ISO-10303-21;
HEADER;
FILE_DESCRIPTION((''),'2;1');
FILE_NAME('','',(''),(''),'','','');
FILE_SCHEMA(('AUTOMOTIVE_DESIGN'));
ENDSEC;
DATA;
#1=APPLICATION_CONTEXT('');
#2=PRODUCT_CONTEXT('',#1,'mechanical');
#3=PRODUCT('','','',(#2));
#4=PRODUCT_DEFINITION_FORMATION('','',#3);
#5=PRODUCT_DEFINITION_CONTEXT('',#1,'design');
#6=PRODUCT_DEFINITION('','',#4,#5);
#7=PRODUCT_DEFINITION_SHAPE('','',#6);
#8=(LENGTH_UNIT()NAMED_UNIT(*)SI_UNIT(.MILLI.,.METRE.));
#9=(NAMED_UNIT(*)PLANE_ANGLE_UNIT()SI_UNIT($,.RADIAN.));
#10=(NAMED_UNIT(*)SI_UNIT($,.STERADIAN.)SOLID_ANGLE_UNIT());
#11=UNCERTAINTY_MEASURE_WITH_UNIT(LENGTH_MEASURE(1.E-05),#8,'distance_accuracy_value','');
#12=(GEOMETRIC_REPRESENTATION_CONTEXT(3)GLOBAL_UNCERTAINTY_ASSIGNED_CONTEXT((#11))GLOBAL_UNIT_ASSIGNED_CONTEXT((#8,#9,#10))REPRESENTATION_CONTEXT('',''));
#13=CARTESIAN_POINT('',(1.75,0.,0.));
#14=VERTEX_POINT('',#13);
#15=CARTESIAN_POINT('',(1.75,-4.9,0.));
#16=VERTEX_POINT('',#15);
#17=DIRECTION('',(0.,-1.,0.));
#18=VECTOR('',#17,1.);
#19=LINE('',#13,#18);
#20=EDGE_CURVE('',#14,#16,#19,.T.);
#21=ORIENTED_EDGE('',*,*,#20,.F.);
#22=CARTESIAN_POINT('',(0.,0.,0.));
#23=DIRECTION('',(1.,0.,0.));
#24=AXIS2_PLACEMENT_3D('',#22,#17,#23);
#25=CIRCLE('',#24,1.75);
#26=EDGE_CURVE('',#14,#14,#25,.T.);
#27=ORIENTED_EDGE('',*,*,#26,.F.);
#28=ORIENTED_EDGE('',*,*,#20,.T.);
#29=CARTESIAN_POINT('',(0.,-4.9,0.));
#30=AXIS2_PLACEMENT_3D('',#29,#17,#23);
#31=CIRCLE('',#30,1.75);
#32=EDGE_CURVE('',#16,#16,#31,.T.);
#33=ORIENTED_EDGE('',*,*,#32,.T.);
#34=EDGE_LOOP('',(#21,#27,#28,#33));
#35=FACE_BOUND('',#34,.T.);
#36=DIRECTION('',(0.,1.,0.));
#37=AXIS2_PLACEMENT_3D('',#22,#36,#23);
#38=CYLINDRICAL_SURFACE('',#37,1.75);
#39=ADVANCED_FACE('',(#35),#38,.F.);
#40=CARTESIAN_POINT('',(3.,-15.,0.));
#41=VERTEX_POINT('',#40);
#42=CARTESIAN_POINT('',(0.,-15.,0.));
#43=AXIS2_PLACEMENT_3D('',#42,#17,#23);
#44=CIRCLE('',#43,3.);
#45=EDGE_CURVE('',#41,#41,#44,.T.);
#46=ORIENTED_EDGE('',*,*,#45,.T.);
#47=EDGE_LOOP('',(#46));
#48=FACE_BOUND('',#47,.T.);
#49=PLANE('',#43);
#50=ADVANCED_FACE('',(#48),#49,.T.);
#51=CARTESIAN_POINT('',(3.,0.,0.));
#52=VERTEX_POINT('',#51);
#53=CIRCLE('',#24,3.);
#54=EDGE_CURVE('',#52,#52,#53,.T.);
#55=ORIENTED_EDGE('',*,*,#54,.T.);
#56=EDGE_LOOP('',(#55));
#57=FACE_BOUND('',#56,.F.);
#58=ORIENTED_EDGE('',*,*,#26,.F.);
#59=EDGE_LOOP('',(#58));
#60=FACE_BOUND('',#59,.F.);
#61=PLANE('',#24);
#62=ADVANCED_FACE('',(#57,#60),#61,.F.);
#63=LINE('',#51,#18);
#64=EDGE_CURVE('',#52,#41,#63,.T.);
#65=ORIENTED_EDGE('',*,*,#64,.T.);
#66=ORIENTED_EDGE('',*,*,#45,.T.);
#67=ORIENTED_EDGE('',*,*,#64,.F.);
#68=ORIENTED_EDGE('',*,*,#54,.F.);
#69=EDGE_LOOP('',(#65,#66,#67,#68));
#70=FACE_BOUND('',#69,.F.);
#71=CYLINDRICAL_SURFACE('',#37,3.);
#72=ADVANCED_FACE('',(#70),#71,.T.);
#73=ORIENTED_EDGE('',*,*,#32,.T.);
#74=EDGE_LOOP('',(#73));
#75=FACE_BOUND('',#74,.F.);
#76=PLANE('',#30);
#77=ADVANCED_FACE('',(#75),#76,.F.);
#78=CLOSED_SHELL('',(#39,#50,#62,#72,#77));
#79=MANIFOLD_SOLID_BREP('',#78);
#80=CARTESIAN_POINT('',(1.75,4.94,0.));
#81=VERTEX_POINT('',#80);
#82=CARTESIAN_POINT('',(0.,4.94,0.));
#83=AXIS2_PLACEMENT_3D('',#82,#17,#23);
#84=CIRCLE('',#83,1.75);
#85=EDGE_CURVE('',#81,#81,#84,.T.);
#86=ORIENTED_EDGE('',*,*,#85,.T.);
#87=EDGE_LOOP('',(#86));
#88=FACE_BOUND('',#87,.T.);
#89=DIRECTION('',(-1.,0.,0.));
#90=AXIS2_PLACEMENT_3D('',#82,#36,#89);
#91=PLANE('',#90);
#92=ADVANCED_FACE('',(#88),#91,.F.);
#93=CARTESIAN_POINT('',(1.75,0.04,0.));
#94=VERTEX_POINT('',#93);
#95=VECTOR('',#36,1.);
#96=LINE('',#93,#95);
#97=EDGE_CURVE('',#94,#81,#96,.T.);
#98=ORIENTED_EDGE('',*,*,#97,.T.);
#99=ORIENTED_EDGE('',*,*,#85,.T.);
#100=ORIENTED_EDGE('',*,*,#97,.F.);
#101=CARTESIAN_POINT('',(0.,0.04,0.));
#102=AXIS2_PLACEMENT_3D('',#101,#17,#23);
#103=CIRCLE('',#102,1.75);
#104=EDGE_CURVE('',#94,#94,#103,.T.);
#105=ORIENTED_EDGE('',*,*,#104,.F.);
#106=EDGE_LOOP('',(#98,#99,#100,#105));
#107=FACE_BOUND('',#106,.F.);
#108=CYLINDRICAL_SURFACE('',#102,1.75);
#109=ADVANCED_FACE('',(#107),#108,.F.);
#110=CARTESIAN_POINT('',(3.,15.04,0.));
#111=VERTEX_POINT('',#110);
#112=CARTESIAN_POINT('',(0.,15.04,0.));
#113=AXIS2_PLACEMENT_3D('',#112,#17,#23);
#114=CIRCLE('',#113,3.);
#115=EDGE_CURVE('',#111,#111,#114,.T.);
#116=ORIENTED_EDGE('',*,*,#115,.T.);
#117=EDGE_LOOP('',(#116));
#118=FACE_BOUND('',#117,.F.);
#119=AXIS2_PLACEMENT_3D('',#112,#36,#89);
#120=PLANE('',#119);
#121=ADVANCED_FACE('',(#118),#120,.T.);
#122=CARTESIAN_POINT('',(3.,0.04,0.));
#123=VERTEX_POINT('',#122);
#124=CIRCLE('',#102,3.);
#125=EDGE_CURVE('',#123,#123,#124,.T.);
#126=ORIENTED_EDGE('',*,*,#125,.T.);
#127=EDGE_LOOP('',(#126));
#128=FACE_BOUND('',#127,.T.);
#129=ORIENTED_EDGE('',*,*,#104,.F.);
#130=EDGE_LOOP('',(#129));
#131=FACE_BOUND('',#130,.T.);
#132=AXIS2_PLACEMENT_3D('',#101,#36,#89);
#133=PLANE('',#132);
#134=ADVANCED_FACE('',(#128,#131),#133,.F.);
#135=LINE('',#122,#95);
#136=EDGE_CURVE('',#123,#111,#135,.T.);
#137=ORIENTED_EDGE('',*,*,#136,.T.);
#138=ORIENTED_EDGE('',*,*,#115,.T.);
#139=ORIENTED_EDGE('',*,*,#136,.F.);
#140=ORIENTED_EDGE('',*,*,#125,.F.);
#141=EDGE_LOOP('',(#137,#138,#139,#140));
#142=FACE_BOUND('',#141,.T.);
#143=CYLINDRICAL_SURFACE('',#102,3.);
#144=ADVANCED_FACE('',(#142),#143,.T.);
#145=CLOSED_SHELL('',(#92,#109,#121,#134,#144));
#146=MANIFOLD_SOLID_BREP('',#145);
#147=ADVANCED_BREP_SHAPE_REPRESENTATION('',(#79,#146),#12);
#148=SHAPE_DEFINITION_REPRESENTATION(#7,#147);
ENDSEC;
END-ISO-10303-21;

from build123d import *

# Parameters (mm, degrees)
F0_R     = 3
F0_R_2   = 1.75
F1_DEPTH = 15
F2_DEPTH = 4.9


with BuildPart() as f1:
    # F0 (on Front) → F1 (new body)
    with BuildSketch(Plane.XZ):
        Circle(F0_R)
        Circle(F0_R_2, mode=Mode.SUBTRACT)
        Circle(F0_R_2)
    extrude(amount=F1_DEPTH)

    # F0 (on Front) → F2 (cut)
    with BuildSketch(Plane.XZ):
        Circle(F0_R_2)
    extrude(amount=F2_DEPTH, mode=Mode.SUBTRACT)


with BuildPart() as f4_1:
    # F4: instance of F1
    add(f1.part.mirror(Plane.XZ.offset(-0.02)))


solid = Compound([f1.part, f4_1.part])
